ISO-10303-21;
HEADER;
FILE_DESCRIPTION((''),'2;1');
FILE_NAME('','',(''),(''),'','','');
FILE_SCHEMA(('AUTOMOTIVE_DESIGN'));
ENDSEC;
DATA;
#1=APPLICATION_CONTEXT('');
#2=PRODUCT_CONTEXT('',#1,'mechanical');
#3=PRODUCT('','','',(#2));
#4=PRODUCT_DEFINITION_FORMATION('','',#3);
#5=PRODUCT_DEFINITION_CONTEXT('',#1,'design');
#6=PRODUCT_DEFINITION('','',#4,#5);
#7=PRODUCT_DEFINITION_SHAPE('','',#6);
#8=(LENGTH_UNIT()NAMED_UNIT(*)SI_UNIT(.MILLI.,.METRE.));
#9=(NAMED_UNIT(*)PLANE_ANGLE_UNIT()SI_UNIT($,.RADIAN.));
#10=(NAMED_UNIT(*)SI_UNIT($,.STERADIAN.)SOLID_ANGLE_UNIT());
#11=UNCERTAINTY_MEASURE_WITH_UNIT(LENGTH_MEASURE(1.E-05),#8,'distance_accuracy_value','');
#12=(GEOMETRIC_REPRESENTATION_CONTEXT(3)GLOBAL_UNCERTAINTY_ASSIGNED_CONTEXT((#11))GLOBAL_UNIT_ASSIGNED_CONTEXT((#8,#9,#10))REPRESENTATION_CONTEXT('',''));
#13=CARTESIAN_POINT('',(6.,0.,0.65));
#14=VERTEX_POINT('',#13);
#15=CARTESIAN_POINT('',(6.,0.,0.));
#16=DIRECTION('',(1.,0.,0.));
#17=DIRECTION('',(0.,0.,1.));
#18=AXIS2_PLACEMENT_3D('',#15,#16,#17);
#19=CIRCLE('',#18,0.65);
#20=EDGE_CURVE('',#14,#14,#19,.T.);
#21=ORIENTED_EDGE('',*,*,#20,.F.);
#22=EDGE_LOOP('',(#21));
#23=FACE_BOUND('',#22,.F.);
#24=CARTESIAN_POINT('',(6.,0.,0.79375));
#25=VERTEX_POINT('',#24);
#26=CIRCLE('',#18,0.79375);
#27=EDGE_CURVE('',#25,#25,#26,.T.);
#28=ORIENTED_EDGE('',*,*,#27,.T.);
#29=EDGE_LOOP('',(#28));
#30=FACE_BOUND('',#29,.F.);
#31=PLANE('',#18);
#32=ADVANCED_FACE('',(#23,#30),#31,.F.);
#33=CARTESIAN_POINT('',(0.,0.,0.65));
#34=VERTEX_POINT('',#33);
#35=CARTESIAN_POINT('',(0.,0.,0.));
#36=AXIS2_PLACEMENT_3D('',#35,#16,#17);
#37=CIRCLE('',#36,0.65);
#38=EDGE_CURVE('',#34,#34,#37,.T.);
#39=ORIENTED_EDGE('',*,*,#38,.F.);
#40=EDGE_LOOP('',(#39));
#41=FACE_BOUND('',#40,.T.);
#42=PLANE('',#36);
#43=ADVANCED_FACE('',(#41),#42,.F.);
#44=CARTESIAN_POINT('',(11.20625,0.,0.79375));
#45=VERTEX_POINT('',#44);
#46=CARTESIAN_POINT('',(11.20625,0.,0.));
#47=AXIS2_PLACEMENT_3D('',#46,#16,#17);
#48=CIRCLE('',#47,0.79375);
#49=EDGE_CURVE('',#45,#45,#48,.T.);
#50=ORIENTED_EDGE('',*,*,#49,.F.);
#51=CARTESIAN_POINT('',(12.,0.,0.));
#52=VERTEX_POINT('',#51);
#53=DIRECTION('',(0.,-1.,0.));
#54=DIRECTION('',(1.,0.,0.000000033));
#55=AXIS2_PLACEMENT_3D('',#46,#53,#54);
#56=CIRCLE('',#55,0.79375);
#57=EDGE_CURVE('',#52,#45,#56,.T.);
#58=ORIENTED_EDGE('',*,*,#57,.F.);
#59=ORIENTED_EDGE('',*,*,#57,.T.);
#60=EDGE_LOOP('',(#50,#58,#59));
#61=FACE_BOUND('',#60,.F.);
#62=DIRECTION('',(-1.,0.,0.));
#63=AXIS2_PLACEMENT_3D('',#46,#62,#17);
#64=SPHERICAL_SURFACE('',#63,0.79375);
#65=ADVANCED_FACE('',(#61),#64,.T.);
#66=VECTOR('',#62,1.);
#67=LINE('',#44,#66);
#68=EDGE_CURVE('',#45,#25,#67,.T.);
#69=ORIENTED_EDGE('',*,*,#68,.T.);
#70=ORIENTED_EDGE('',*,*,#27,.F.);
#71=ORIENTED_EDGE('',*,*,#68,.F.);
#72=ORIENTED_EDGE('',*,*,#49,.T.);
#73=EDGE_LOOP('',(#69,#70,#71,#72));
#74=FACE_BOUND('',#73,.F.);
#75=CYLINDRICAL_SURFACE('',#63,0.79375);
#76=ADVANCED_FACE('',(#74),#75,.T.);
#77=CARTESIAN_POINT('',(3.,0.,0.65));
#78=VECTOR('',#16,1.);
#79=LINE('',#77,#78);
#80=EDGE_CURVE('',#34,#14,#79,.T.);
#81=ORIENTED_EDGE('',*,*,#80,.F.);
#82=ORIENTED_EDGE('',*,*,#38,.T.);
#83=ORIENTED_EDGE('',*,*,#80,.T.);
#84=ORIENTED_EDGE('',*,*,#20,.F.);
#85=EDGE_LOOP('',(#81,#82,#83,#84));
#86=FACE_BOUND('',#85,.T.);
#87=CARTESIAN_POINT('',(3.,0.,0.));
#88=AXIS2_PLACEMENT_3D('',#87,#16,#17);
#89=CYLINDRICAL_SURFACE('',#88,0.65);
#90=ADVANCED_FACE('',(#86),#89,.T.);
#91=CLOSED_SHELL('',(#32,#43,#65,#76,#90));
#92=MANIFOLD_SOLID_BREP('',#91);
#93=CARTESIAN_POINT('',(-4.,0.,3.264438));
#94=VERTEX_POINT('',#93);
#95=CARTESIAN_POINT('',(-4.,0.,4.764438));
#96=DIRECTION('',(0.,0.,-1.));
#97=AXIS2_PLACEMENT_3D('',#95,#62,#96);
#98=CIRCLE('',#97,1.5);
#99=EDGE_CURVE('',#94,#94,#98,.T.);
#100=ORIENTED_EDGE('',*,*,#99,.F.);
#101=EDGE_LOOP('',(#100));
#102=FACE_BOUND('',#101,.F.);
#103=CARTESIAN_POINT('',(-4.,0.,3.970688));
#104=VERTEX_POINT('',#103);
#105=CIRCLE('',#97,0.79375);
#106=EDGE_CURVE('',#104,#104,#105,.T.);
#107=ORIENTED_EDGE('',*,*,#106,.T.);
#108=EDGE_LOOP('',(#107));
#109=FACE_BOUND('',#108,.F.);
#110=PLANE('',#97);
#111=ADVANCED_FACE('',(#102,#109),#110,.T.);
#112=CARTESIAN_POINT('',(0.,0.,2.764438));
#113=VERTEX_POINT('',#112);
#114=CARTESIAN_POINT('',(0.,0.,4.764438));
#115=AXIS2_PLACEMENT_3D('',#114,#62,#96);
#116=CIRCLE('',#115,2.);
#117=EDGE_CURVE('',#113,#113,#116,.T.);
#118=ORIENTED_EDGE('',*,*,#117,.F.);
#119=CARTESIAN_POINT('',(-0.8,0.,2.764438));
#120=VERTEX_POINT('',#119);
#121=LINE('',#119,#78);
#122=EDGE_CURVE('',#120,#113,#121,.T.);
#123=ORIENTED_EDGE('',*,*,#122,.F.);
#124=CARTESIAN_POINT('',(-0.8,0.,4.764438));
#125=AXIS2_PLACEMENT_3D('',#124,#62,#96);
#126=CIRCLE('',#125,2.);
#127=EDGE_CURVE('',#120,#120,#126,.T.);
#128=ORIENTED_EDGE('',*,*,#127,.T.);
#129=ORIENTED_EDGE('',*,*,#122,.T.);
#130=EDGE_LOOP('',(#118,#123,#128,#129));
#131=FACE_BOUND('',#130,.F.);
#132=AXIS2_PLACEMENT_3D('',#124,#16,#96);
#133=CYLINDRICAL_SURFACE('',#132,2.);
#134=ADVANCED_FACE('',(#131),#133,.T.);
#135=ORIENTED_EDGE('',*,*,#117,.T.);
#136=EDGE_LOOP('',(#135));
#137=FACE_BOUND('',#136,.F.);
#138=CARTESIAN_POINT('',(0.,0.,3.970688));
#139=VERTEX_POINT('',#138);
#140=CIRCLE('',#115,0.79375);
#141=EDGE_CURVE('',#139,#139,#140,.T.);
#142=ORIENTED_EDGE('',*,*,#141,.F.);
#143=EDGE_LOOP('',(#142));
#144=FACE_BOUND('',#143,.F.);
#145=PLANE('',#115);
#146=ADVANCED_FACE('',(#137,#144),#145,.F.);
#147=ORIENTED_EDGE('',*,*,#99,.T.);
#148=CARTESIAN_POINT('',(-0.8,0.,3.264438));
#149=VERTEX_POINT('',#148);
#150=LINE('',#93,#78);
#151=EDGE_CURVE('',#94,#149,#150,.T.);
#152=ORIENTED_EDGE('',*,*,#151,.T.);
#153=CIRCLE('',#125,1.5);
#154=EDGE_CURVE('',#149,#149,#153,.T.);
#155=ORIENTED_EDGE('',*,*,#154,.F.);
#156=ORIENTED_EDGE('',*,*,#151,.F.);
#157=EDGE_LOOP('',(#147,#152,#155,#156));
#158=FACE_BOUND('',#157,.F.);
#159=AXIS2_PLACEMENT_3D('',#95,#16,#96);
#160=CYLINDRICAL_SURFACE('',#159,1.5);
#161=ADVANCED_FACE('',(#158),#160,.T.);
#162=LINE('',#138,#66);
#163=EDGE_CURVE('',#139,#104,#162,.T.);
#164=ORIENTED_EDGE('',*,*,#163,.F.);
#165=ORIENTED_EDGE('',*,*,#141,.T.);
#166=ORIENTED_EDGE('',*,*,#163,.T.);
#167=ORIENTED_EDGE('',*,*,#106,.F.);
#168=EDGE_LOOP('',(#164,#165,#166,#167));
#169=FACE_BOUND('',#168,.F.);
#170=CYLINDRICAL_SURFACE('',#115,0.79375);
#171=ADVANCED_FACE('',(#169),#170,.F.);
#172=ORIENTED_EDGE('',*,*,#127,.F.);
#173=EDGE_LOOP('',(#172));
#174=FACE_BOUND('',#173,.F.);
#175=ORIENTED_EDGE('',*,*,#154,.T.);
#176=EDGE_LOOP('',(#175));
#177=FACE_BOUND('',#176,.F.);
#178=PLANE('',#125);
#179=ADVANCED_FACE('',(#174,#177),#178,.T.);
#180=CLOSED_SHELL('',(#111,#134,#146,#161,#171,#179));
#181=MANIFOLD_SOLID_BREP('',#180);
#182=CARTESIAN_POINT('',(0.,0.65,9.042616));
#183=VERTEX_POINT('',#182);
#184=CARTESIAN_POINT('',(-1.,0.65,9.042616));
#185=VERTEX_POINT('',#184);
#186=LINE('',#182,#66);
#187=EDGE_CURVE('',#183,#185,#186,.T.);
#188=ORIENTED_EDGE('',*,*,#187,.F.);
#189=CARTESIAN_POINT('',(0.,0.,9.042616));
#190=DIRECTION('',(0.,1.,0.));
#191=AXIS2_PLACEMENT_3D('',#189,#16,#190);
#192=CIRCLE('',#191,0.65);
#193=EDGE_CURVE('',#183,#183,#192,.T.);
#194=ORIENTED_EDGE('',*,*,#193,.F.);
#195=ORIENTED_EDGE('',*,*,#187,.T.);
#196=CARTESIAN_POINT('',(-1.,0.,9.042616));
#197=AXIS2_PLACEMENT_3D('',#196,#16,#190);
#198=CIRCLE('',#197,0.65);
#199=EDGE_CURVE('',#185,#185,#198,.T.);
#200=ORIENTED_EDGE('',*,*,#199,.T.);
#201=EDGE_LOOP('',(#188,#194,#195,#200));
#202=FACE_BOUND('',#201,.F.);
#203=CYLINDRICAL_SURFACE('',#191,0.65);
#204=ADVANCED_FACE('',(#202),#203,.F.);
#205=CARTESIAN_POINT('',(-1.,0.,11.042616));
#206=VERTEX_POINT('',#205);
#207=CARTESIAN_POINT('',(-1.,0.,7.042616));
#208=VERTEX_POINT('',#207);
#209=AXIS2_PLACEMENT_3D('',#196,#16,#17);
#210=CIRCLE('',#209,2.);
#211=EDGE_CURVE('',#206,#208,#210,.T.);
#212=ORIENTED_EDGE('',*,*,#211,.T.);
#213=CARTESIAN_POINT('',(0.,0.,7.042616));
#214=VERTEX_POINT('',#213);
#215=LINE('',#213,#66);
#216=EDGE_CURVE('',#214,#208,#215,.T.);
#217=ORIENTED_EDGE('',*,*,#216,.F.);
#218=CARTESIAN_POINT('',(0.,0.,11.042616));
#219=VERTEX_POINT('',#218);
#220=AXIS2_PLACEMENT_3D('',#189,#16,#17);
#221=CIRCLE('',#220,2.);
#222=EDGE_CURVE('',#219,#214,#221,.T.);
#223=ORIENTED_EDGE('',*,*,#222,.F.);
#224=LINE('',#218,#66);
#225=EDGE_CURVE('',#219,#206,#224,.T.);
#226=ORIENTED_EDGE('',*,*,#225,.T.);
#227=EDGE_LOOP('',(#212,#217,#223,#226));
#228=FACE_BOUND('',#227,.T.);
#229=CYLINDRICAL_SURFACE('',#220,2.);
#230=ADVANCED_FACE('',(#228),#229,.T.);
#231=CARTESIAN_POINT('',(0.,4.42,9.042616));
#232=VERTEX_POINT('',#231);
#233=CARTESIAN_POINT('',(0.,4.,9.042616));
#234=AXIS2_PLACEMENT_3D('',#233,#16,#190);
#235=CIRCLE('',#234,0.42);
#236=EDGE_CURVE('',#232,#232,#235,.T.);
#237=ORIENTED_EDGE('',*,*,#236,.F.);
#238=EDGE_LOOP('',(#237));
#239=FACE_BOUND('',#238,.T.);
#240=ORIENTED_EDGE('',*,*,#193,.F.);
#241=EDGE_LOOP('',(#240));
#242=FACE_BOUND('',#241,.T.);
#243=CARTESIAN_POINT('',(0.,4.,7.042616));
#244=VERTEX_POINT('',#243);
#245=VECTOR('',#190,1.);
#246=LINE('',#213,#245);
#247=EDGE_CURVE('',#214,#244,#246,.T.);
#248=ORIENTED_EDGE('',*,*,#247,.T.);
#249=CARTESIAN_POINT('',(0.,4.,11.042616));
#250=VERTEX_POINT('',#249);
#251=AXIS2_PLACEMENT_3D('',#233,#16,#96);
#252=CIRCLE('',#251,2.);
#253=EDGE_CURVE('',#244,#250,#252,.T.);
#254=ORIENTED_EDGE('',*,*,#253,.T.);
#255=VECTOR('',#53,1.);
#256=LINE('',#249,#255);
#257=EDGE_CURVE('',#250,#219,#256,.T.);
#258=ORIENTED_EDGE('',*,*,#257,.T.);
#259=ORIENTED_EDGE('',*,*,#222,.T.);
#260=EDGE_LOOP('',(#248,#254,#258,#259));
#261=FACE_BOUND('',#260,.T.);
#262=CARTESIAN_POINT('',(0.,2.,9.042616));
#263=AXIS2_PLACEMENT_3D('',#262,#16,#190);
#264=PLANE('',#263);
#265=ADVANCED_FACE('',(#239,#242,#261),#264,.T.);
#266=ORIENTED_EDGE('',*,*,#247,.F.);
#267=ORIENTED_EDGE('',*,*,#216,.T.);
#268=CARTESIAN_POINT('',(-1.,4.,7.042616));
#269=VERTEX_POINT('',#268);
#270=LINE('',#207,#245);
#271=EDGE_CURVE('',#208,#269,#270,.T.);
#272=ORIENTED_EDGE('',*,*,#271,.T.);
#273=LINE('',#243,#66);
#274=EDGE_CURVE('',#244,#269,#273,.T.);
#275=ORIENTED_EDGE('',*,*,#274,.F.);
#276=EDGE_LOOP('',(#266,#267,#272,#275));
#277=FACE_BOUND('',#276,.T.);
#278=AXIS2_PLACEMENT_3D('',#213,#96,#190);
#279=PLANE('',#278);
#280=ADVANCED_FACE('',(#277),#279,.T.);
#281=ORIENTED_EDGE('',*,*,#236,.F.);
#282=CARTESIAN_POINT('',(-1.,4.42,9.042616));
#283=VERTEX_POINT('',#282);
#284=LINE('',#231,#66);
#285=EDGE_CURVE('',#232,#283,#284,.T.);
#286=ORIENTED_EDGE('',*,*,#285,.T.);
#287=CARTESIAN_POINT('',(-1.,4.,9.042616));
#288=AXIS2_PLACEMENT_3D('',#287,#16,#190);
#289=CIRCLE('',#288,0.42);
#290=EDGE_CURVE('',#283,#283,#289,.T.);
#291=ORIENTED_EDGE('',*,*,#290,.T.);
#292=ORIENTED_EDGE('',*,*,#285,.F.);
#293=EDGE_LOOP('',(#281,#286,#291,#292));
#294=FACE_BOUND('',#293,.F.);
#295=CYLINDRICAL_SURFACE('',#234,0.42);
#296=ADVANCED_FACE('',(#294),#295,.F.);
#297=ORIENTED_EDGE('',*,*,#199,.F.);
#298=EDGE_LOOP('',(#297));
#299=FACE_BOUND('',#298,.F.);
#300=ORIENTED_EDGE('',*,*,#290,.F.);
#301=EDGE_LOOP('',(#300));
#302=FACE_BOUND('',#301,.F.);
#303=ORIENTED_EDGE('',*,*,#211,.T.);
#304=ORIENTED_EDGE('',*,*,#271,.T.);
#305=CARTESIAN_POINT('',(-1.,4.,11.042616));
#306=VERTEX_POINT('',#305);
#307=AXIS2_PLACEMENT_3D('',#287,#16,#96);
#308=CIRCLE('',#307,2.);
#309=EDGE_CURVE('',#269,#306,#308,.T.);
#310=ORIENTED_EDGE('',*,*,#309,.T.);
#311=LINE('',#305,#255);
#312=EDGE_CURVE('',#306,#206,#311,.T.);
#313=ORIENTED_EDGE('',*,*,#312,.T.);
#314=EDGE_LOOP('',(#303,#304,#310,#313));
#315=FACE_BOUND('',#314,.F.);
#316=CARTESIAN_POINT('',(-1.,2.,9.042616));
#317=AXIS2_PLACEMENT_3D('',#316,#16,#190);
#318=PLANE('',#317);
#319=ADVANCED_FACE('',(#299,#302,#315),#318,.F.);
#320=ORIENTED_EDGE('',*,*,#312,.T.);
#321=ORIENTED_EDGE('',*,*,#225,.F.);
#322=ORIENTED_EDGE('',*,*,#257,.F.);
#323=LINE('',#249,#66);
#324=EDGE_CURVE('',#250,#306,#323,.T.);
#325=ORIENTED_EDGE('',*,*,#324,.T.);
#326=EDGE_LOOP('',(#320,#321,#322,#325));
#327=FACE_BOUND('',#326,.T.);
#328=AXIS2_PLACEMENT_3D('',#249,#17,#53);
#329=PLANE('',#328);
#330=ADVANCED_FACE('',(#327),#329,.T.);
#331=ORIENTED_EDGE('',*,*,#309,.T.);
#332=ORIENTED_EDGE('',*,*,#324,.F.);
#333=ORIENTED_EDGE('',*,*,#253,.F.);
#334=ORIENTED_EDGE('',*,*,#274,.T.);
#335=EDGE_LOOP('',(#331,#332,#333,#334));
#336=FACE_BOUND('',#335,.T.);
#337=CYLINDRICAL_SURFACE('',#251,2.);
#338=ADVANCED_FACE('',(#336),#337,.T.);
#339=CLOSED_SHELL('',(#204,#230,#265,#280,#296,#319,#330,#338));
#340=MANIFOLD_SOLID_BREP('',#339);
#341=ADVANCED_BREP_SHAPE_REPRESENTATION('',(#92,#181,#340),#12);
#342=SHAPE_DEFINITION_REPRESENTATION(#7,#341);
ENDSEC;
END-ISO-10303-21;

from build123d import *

# Parameters (mm, degrees)
F0_W     = 6
F0_H     = 0.65
F4_R     = 0.65
F4_R_2   = 0.42
F5_DEPTH = 1


with BuildPart() as f1:
    # F0 (on Front) → F1 (revolve)
    with BuildSketch(Plane.XZ):
        with Locations((3, 0.325)):
            Rectangle(F0_W, F0_H)
        with BuildLine():
            Line((6, 0.65), (6, 0))
            Line((6, 0), (12, 0))
            ThreePointArc((12, 0), (11.767516, 0.561266), (11.20625, 0.79375))
            Line((11.20625, 0.79375), (6, 0.79375))
            Line((6, 0.79375), (6, 0.65))
        make_face()
    revolve(axis=Axis((3, 0, 0), (1, 0, 0)))


with BuildPart() as f3:
    # F2 (on Front) → F3 (revolve)
    with BuildSketch(Plane.XZ):
        Polygon((-0.8, 2.764438), (0, 2.764438), (0, 3.970688), (-4, 3.970688), (-4, 3.264438), (-0.8, 3.264438), align=None)
    revolve(axis=Axis((-2.4, 0, 4.764438), (-1, 0, 0)))


with BuildPart() as f5:
    # F4 (on Right) → F5 (new body)
    with BuildSketch(Plane.YZ):
        with BuildLine():
            Line((4, 11.042616), (0, 11.042616))
            ThreePointArc((0, 11.042616), (-2, 9.042616), (0, 7.042616))
            Line((0, 7.042616), (4, 7.042616))
            ThreePointArc((4, 7.042616), (6, 9.042616), (4, 11.042616))
        make_face()
        with Locations((0, 9.042616)):
            Circle(F4_R, mode=Mode.SUBTRACT)
        with Locations((4, 9.042616)):
            Circle(F4_R_2, mode=Mode.SUBTRACT)
    extrude(amount=-F5_DEPTH)


solid = Compound([f1.part, f3.part, f5.part])
